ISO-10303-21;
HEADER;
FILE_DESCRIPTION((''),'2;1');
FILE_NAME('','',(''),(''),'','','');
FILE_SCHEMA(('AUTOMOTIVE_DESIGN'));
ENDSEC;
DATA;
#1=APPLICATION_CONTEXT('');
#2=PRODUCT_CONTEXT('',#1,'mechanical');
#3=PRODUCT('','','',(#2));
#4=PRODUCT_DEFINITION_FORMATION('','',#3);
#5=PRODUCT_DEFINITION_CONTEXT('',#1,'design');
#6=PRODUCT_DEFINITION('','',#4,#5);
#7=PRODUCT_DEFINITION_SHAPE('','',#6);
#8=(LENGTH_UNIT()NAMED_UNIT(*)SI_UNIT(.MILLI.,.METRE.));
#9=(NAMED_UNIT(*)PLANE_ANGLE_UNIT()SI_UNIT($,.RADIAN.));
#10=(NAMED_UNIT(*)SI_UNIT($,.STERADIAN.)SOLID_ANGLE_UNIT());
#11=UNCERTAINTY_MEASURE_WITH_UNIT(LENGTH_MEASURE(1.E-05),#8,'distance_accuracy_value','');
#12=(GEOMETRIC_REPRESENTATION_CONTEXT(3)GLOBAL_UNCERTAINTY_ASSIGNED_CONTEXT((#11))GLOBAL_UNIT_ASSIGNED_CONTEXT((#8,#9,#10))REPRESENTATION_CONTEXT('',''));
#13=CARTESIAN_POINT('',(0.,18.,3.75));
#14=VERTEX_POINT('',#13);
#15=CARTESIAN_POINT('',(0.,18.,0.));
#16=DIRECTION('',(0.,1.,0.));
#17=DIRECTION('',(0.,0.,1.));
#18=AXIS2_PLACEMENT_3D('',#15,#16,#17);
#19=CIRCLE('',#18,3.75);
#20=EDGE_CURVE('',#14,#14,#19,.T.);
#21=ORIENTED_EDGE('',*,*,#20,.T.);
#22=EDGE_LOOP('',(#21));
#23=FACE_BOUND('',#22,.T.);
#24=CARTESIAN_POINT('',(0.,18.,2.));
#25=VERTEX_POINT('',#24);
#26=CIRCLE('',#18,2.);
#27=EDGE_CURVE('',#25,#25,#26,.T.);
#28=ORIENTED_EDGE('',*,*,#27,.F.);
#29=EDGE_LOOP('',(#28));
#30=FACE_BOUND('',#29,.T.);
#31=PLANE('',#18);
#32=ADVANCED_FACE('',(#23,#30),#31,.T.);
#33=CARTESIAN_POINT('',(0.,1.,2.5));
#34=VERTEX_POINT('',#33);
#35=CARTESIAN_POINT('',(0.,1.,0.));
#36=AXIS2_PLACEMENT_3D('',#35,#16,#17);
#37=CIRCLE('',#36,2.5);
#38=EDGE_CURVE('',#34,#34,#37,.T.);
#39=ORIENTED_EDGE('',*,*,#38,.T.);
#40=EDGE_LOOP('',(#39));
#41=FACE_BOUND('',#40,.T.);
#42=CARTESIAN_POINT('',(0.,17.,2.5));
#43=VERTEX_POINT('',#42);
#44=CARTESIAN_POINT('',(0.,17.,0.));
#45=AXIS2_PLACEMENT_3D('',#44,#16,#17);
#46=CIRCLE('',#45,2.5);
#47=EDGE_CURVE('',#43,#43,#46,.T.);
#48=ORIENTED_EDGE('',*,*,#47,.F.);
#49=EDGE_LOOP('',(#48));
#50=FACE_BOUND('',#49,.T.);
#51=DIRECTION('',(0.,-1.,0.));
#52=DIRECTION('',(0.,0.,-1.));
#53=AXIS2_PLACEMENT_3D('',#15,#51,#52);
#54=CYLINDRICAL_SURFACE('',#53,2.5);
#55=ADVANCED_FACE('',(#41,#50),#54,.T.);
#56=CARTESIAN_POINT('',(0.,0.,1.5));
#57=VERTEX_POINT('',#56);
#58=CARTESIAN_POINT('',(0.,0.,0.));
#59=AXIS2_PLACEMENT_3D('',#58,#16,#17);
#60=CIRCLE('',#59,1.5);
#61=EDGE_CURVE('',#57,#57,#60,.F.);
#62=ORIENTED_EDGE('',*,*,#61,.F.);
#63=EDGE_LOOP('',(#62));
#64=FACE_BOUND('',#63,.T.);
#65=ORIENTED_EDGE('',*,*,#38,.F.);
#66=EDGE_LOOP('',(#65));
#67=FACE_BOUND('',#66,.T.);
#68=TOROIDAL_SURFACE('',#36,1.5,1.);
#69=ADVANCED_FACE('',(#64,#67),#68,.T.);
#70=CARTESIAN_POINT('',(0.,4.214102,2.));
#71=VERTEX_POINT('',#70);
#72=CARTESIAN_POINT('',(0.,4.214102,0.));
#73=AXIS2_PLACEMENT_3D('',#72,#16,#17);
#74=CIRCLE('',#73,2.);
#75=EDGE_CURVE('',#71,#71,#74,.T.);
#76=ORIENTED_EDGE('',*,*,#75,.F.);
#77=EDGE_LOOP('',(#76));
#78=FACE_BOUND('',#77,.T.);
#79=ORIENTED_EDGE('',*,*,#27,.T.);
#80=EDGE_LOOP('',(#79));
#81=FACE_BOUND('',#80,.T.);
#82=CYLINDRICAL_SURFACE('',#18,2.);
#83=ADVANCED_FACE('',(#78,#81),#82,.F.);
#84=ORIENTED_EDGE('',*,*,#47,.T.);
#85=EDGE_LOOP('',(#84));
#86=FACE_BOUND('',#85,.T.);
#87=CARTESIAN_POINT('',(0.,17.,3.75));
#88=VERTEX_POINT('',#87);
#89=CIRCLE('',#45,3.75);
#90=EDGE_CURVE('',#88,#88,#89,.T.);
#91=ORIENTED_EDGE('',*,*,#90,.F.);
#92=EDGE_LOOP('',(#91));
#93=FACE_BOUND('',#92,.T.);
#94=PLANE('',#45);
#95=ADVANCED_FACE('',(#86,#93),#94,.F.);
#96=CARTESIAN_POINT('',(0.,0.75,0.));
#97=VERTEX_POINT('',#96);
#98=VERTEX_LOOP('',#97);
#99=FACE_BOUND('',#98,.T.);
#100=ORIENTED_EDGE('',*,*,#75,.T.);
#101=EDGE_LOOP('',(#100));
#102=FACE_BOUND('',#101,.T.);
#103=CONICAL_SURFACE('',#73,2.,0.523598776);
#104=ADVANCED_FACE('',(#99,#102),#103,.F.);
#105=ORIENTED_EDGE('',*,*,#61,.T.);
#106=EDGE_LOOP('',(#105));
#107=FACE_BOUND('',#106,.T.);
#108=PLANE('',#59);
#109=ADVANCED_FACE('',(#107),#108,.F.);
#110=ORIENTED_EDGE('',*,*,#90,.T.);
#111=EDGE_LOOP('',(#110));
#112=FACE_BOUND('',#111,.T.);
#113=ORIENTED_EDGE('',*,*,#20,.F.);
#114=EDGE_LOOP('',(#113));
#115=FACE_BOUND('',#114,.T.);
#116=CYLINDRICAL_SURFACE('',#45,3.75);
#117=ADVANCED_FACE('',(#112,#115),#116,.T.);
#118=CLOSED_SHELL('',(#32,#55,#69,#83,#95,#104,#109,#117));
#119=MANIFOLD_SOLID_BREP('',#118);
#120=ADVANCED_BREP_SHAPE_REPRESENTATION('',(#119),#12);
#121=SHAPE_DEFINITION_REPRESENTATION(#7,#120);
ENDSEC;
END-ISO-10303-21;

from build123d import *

# Parameters (mm, degrees)
SKETCH2_R                 = 2.5
BOSS_EXTRUDE1_DEPTH       = 18
FILLET3_R                 = 1
BOSS_EXTRUDE2_START       = -1
SKETCH5_R                 = 3.75
SKETCH5_R_2               = 2.5
BOSS_EXTRUDE2_DEPTH       = 1
F_1_0MM_DOWEL_HOLE1_D     = 4
F_1_0MM_DOWEL_HOLE1_DEPTH = 13.785898385
F_1_0MM_DOWEL_HOLE1_TIP   = 3.464101615


with BuildPart() as part:
    # Sketch2 → Boss-Extrude1 (new body)
    with BuildSketch(Plane(origin=(0, 0, 0), x_dir=(1, 0, 0), z_dir=(0, 1, 0))):
        with Locations(Location((0, 0, 0), (0, 0, 270))):
            Circle(SKETCH2_R)
    extrude(amount=BOSS_EXTRUDE1_DEPTH)

    # Fillet3
    fillet3_edges = [part.edges().sort_by_distance(p)[0] for p in [
        (0, 0, -2.5),
    ]]
    fillet(fillet3_edges, radius=FILLET3_R)

    # Sketch5 → Boss-Extrude2 (add)
    with BuildSketch(Plane(origin=(0, 18, 0), x_dir=(1, 0, 0), z_dir=(0, 1, 0)).offset(BOSS_EXTRUDE2_START)):
        with Locations(Location((0, 0, 0), (0, 0, 270))):
            Circle(SKETCH5_R)
        with Locations(Location((0, 0, 0), (0, 0, 270))):
            Circle(SKETCH5_R_2, mode=Mode.SUBTRACT)
    extrude(amount=BOSS_EXTRUDE2_DEPTH)

    # Ø1.0mm Dowel Hole1
    with Locations(Plane(origin=(0, 18, 0), x_dir=(1, 0, 0), z_dir=(0, 1, 0))):
        with Locations((0, 0)):
            Hole(F_1_0MM_DOWEL_HOLE1_D / 2, depth=F_1_0MM_DOWEL_HOLE1_DEPTH)
            with Locations((0, 0, -(F_1_0MM_DOWEL_HOLE1_DEPTH + F_1_0MM_DOWEL_HOLE1_TIP / 2))):  # 60° drill point
                Cone(0, F_1_0MM_DOWEL_HOLE1_D / 2, F_1_0MM_DOWEL_HOLE1_TIP, mode=Mode.SUBTRACT)


solid = part.part
